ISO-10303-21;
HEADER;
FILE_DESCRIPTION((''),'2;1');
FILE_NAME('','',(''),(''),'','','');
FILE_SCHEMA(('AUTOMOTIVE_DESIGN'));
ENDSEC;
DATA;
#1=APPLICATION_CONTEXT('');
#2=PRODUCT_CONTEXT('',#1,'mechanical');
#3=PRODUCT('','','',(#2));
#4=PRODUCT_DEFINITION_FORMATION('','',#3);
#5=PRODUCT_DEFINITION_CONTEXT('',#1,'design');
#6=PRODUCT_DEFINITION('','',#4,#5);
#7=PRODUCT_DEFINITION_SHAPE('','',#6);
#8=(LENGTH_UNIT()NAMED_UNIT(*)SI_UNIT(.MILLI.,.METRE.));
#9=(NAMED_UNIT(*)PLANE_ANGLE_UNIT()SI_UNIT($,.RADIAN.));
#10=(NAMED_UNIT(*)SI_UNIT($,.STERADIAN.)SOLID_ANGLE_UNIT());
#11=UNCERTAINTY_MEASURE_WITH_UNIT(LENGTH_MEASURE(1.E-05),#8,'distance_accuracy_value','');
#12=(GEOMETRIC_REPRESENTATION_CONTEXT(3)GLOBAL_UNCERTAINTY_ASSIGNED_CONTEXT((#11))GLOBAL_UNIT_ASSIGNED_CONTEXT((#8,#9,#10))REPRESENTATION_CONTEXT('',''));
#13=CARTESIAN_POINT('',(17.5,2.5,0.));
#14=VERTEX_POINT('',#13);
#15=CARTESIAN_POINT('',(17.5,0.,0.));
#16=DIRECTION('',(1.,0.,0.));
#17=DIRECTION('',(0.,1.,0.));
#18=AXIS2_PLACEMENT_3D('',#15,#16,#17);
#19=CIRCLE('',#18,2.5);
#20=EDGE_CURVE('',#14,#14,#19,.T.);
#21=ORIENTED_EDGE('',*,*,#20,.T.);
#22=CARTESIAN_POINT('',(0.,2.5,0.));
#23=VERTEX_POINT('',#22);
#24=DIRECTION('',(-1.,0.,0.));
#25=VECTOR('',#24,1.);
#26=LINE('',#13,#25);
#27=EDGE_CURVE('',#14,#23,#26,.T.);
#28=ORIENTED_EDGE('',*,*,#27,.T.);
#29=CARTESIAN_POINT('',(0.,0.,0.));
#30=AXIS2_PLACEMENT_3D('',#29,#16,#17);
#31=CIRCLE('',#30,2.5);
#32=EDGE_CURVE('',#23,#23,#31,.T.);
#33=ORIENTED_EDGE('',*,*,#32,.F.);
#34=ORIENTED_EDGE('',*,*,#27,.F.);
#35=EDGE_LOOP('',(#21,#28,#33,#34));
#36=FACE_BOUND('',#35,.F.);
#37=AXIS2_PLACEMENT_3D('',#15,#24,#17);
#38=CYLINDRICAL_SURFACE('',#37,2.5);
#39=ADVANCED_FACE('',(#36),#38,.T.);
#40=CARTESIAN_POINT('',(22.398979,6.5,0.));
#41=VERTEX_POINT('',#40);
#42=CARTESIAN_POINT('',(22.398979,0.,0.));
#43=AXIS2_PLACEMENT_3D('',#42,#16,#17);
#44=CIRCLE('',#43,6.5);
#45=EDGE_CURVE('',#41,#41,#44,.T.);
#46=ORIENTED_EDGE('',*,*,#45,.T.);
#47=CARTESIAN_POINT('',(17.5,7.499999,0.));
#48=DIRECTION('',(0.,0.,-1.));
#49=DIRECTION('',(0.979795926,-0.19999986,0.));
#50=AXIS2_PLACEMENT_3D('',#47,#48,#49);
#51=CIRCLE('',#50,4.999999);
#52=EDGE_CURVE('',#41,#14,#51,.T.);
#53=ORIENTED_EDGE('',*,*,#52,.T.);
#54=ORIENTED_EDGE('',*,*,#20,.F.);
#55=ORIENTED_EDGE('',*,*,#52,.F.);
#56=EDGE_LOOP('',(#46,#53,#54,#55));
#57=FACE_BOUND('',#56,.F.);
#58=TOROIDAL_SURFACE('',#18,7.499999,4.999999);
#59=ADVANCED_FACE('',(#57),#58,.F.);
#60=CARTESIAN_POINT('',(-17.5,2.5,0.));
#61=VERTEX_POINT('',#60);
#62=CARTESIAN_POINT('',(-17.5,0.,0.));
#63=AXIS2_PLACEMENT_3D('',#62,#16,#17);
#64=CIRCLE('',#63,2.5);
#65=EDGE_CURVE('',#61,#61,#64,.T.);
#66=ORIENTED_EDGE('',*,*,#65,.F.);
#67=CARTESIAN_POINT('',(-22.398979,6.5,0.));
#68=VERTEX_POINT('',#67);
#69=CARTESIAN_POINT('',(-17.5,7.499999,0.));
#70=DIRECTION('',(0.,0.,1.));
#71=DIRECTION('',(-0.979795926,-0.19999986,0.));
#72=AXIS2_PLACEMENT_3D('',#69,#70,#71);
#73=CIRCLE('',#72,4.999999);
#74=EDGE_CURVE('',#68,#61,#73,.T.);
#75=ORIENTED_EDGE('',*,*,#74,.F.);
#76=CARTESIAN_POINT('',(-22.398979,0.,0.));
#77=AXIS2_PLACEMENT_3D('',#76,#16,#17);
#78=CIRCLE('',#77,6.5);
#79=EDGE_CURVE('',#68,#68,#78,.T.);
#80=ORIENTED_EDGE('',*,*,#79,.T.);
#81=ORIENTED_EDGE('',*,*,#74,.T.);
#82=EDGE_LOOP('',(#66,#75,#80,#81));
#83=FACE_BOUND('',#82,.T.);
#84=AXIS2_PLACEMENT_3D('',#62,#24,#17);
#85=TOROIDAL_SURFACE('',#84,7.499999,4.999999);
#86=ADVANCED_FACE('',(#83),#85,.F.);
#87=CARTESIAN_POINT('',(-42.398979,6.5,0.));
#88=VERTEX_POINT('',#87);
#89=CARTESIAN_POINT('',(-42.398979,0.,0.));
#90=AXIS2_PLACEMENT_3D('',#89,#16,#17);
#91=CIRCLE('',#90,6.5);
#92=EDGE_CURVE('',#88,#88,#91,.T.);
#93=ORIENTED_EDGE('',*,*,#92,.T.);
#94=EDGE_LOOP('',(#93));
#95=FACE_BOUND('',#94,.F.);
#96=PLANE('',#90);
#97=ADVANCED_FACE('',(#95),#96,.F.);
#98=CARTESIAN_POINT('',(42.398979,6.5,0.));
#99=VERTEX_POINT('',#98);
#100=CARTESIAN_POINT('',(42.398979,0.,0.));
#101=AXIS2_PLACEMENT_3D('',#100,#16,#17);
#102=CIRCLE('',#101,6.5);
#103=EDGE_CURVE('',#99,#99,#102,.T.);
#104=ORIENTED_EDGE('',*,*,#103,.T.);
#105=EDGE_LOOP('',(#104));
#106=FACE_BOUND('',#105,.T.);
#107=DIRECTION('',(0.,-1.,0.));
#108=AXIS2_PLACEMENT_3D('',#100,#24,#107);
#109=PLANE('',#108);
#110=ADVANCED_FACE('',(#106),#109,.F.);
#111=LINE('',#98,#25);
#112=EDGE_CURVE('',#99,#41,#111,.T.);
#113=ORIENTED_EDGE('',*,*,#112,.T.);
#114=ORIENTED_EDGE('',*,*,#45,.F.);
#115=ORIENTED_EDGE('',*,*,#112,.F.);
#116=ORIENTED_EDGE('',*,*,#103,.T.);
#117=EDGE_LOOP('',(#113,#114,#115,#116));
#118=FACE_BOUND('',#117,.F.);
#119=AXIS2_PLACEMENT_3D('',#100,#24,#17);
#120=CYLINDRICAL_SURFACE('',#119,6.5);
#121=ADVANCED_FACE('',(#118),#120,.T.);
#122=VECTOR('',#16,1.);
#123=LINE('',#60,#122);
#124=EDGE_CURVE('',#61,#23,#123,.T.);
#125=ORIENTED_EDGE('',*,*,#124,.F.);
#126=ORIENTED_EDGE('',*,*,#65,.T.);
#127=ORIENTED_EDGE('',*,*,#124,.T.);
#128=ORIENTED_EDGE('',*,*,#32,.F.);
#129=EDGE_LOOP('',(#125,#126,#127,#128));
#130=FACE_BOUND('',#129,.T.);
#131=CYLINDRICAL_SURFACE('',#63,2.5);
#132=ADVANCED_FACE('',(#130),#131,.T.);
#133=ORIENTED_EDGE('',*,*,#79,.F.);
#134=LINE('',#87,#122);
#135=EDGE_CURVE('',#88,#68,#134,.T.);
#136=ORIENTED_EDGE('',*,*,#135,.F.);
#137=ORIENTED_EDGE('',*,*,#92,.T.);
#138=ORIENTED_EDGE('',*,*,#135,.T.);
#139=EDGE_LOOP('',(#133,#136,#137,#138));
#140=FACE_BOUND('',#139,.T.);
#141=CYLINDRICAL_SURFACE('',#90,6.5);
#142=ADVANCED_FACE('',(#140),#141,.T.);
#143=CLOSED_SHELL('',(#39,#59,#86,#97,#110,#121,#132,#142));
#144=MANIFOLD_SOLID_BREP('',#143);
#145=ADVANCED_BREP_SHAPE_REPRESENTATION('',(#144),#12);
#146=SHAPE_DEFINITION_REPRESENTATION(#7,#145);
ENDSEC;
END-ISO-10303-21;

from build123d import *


with BuildPart() as part:
    # Sketch → Revolution (revolve)
    with BuildSketch(Plane.XY):
        with BuildLine():
            Line((-42.398979, 6.5), (-42.398979, 0))
            Line((0, 0), (-42.398979, 0))
            Line((0, 2.5), (0, 0))
            Line((-17.5, 2.5), (0, 2.5))
            ThreePointArc((-22.398979, 6.5), (-20.662278, 3.627017), (-17.5, 2.5))
            Line((-42.398979, 6.5), (-22.398979, 6.5))
        make_face()
    revolution = revolve(axis=Axis((0, 0, 0), (1, 0, 0)))

    # Mirrored: Revolution across Sketch V_Axis
    add(revolution.mirror(Plane(origin=(0, 0, 0), x_dir=(0, 0, 1), z_dir=(1, 0, 0))))


solid = part.part
